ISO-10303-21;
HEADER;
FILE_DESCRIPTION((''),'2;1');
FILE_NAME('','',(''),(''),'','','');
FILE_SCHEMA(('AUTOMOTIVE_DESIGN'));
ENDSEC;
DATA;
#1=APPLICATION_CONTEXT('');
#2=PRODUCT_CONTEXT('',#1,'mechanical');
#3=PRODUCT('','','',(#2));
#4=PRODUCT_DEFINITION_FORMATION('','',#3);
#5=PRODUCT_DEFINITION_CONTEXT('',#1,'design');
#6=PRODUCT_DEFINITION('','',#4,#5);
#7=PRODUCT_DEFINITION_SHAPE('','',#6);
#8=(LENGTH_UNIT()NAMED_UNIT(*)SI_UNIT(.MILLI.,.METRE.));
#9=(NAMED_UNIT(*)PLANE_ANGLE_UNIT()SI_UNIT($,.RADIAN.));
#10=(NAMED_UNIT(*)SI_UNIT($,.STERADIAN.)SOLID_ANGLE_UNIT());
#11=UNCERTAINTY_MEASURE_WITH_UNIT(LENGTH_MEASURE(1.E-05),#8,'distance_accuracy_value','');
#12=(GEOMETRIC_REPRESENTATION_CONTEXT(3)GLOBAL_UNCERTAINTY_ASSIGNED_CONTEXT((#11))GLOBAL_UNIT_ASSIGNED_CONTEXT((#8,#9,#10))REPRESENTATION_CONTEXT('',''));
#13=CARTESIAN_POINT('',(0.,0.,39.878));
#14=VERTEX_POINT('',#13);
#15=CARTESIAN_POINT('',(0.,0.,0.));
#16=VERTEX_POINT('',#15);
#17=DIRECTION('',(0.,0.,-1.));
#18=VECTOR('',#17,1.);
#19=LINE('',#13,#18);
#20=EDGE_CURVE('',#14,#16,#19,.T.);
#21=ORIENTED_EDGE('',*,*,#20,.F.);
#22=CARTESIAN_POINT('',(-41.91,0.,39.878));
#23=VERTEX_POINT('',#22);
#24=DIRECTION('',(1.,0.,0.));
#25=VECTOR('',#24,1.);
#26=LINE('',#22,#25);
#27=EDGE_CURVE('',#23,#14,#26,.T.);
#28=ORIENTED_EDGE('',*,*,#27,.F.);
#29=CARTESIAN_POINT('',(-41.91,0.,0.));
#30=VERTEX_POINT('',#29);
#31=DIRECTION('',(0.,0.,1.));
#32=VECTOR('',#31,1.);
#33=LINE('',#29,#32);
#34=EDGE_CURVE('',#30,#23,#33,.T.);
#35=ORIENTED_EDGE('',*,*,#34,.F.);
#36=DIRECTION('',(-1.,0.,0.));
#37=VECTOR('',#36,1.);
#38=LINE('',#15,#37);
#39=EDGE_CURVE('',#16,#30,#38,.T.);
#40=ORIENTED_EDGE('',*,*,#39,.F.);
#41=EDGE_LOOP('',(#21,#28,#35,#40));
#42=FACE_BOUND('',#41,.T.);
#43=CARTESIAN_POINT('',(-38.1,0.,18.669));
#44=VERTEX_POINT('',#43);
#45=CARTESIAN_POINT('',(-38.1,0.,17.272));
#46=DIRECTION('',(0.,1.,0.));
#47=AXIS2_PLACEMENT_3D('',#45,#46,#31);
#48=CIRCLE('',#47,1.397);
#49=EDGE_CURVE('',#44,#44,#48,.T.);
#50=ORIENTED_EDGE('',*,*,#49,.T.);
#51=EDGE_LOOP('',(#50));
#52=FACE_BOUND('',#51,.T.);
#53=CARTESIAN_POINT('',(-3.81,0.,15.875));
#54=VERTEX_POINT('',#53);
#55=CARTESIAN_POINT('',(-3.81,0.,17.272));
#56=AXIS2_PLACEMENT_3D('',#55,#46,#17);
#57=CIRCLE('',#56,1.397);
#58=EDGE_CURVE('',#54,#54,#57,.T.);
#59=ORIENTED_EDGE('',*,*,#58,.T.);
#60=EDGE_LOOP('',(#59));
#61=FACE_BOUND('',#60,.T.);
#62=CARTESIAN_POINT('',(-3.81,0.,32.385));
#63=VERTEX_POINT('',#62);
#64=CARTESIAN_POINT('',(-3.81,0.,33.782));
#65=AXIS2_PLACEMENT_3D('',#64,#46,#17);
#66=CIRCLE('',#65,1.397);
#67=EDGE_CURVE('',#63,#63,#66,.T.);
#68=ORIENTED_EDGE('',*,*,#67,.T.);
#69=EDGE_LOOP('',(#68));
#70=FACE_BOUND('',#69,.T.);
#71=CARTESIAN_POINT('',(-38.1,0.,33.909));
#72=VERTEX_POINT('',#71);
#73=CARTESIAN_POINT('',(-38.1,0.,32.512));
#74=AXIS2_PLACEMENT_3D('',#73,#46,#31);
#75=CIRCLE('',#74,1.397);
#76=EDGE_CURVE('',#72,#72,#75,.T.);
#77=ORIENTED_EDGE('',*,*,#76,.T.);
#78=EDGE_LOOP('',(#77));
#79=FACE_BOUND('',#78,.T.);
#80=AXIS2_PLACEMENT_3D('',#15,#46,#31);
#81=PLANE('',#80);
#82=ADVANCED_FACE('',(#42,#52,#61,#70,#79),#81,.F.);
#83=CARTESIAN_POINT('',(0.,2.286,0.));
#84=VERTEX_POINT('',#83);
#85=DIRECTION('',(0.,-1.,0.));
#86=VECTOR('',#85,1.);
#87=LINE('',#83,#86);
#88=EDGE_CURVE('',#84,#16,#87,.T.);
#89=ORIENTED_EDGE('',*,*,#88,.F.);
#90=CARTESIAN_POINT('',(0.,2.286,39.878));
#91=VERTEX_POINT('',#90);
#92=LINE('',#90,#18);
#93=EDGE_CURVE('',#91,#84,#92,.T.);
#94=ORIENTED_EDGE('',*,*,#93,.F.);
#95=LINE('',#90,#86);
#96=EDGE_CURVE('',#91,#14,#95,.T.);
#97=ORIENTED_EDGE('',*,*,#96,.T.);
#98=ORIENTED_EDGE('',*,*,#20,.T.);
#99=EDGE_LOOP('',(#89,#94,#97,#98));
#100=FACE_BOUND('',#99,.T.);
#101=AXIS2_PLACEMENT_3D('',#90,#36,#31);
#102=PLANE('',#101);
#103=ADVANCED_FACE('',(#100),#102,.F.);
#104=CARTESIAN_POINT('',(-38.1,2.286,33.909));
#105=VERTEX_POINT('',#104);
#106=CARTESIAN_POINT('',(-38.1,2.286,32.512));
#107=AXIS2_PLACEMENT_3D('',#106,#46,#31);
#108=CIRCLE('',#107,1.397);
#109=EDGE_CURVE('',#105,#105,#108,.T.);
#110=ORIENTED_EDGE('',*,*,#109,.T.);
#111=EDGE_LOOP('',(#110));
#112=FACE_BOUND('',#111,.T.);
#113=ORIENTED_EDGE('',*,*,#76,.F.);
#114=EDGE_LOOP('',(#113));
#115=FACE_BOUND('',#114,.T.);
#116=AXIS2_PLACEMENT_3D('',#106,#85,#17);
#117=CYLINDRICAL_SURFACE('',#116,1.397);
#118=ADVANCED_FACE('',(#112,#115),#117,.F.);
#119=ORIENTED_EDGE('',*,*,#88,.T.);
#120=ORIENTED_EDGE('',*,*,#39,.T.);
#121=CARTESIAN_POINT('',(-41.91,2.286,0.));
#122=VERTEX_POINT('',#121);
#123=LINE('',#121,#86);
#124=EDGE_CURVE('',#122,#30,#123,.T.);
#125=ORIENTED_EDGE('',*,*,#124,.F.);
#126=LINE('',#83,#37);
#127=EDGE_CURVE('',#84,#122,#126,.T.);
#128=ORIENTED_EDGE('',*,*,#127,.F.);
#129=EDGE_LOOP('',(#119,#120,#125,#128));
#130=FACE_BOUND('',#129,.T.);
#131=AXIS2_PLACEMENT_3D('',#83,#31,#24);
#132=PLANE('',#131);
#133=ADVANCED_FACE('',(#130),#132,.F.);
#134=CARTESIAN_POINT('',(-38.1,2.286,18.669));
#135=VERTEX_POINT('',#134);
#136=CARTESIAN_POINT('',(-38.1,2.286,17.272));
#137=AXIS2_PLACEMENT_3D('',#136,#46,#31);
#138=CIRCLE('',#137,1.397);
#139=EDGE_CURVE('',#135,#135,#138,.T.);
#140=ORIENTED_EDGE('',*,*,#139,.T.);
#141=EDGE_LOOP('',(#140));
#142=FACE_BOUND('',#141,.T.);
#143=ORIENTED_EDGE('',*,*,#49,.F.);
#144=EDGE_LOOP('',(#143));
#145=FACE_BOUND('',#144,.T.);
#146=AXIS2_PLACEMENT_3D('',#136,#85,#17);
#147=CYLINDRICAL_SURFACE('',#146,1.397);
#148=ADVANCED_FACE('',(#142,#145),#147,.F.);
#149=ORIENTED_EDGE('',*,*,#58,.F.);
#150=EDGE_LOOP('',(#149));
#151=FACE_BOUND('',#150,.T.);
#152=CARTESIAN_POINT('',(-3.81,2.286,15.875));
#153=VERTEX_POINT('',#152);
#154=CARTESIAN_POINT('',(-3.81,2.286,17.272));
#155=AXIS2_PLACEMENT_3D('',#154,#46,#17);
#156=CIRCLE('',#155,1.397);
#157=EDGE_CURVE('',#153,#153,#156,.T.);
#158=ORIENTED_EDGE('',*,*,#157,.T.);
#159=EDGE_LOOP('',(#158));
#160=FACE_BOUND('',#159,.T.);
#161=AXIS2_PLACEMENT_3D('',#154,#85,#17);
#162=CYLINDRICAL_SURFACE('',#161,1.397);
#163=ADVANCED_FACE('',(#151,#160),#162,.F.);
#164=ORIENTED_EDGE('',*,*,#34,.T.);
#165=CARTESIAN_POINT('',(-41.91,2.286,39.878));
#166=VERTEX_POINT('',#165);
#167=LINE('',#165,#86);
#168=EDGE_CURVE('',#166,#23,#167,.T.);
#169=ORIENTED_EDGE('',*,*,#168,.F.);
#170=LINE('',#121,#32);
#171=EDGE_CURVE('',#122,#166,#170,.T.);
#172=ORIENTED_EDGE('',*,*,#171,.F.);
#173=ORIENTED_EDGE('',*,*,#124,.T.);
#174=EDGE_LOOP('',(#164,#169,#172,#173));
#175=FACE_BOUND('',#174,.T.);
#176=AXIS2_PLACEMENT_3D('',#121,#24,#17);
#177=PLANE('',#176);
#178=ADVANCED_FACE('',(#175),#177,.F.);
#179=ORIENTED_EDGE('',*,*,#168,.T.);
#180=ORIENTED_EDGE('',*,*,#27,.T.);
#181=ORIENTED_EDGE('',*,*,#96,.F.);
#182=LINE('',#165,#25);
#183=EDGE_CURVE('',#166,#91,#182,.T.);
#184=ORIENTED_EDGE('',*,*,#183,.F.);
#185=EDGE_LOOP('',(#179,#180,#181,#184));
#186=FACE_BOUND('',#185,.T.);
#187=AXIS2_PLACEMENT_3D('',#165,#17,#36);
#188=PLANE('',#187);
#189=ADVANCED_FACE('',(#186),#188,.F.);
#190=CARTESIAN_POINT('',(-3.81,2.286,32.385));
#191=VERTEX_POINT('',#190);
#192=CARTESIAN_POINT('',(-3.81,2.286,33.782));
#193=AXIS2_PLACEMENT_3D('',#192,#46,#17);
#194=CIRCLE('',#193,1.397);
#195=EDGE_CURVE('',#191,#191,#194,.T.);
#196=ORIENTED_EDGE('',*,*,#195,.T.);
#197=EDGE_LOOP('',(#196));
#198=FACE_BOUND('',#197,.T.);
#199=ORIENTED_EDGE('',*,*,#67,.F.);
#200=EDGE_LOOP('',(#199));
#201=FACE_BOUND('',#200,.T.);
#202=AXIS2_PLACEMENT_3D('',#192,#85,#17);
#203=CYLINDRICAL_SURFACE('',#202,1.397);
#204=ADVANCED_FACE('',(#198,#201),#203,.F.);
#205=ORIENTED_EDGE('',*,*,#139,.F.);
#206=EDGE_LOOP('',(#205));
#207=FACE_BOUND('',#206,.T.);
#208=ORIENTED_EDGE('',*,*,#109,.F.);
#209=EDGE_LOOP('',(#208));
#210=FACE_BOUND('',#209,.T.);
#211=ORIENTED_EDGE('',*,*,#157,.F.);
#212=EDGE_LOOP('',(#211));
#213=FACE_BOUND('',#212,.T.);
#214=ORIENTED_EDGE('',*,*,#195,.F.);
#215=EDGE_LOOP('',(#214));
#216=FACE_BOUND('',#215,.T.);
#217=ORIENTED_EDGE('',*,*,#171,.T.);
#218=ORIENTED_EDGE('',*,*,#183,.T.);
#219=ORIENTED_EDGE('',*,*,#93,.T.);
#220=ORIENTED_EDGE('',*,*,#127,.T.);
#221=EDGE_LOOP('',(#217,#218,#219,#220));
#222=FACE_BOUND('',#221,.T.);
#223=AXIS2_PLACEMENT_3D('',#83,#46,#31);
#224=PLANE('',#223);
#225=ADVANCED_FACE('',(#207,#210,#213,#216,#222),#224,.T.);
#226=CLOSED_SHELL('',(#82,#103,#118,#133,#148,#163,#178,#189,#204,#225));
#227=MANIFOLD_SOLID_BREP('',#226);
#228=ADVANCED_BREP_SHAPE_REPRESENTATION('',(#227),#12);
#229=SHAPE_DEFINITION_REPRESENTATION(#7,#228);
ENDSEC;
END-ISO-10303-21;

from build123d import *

# Parameters (mm, degrees)
SKETCH5_W      = 41.91
SKETCH5_H      = 39.878
SKETCH5_R      = 1.397
EXTRUDE3_DEPTH = 2.286


with BuildPart() as part:
    # Sketch5 → Extrude3 (new body)
    with BuildSketch(Plane(origin=(0, 0, 0), x_dir=(1, 0, 0), z_dir=(0, 1, 0))):
        with Locations((-20.955, -19.939)):
            Rectangle(SKETCH5_W, SKETCH5_H)
        with Locations((-38.1, -17.272)):
            Circle(SKETCH5_R, mode=Mode.SUBTRACT)
        with Locations((-38.1, -32.512)):
            Circle(SKETCH5_R, mode=Mode.SUBTRACT)
        with Locations((-3.81, -33.782)):
            Circle(SKETCH5_R, mode=Mode.SUBTRACT)
        with Locations((-3.81, -17.272)):
            Circle(SKETCH5_R, mode=Mode.SUBTRACT)
    extrude(amount=EXTRUDE3_DEPTH)


solid = part.part
